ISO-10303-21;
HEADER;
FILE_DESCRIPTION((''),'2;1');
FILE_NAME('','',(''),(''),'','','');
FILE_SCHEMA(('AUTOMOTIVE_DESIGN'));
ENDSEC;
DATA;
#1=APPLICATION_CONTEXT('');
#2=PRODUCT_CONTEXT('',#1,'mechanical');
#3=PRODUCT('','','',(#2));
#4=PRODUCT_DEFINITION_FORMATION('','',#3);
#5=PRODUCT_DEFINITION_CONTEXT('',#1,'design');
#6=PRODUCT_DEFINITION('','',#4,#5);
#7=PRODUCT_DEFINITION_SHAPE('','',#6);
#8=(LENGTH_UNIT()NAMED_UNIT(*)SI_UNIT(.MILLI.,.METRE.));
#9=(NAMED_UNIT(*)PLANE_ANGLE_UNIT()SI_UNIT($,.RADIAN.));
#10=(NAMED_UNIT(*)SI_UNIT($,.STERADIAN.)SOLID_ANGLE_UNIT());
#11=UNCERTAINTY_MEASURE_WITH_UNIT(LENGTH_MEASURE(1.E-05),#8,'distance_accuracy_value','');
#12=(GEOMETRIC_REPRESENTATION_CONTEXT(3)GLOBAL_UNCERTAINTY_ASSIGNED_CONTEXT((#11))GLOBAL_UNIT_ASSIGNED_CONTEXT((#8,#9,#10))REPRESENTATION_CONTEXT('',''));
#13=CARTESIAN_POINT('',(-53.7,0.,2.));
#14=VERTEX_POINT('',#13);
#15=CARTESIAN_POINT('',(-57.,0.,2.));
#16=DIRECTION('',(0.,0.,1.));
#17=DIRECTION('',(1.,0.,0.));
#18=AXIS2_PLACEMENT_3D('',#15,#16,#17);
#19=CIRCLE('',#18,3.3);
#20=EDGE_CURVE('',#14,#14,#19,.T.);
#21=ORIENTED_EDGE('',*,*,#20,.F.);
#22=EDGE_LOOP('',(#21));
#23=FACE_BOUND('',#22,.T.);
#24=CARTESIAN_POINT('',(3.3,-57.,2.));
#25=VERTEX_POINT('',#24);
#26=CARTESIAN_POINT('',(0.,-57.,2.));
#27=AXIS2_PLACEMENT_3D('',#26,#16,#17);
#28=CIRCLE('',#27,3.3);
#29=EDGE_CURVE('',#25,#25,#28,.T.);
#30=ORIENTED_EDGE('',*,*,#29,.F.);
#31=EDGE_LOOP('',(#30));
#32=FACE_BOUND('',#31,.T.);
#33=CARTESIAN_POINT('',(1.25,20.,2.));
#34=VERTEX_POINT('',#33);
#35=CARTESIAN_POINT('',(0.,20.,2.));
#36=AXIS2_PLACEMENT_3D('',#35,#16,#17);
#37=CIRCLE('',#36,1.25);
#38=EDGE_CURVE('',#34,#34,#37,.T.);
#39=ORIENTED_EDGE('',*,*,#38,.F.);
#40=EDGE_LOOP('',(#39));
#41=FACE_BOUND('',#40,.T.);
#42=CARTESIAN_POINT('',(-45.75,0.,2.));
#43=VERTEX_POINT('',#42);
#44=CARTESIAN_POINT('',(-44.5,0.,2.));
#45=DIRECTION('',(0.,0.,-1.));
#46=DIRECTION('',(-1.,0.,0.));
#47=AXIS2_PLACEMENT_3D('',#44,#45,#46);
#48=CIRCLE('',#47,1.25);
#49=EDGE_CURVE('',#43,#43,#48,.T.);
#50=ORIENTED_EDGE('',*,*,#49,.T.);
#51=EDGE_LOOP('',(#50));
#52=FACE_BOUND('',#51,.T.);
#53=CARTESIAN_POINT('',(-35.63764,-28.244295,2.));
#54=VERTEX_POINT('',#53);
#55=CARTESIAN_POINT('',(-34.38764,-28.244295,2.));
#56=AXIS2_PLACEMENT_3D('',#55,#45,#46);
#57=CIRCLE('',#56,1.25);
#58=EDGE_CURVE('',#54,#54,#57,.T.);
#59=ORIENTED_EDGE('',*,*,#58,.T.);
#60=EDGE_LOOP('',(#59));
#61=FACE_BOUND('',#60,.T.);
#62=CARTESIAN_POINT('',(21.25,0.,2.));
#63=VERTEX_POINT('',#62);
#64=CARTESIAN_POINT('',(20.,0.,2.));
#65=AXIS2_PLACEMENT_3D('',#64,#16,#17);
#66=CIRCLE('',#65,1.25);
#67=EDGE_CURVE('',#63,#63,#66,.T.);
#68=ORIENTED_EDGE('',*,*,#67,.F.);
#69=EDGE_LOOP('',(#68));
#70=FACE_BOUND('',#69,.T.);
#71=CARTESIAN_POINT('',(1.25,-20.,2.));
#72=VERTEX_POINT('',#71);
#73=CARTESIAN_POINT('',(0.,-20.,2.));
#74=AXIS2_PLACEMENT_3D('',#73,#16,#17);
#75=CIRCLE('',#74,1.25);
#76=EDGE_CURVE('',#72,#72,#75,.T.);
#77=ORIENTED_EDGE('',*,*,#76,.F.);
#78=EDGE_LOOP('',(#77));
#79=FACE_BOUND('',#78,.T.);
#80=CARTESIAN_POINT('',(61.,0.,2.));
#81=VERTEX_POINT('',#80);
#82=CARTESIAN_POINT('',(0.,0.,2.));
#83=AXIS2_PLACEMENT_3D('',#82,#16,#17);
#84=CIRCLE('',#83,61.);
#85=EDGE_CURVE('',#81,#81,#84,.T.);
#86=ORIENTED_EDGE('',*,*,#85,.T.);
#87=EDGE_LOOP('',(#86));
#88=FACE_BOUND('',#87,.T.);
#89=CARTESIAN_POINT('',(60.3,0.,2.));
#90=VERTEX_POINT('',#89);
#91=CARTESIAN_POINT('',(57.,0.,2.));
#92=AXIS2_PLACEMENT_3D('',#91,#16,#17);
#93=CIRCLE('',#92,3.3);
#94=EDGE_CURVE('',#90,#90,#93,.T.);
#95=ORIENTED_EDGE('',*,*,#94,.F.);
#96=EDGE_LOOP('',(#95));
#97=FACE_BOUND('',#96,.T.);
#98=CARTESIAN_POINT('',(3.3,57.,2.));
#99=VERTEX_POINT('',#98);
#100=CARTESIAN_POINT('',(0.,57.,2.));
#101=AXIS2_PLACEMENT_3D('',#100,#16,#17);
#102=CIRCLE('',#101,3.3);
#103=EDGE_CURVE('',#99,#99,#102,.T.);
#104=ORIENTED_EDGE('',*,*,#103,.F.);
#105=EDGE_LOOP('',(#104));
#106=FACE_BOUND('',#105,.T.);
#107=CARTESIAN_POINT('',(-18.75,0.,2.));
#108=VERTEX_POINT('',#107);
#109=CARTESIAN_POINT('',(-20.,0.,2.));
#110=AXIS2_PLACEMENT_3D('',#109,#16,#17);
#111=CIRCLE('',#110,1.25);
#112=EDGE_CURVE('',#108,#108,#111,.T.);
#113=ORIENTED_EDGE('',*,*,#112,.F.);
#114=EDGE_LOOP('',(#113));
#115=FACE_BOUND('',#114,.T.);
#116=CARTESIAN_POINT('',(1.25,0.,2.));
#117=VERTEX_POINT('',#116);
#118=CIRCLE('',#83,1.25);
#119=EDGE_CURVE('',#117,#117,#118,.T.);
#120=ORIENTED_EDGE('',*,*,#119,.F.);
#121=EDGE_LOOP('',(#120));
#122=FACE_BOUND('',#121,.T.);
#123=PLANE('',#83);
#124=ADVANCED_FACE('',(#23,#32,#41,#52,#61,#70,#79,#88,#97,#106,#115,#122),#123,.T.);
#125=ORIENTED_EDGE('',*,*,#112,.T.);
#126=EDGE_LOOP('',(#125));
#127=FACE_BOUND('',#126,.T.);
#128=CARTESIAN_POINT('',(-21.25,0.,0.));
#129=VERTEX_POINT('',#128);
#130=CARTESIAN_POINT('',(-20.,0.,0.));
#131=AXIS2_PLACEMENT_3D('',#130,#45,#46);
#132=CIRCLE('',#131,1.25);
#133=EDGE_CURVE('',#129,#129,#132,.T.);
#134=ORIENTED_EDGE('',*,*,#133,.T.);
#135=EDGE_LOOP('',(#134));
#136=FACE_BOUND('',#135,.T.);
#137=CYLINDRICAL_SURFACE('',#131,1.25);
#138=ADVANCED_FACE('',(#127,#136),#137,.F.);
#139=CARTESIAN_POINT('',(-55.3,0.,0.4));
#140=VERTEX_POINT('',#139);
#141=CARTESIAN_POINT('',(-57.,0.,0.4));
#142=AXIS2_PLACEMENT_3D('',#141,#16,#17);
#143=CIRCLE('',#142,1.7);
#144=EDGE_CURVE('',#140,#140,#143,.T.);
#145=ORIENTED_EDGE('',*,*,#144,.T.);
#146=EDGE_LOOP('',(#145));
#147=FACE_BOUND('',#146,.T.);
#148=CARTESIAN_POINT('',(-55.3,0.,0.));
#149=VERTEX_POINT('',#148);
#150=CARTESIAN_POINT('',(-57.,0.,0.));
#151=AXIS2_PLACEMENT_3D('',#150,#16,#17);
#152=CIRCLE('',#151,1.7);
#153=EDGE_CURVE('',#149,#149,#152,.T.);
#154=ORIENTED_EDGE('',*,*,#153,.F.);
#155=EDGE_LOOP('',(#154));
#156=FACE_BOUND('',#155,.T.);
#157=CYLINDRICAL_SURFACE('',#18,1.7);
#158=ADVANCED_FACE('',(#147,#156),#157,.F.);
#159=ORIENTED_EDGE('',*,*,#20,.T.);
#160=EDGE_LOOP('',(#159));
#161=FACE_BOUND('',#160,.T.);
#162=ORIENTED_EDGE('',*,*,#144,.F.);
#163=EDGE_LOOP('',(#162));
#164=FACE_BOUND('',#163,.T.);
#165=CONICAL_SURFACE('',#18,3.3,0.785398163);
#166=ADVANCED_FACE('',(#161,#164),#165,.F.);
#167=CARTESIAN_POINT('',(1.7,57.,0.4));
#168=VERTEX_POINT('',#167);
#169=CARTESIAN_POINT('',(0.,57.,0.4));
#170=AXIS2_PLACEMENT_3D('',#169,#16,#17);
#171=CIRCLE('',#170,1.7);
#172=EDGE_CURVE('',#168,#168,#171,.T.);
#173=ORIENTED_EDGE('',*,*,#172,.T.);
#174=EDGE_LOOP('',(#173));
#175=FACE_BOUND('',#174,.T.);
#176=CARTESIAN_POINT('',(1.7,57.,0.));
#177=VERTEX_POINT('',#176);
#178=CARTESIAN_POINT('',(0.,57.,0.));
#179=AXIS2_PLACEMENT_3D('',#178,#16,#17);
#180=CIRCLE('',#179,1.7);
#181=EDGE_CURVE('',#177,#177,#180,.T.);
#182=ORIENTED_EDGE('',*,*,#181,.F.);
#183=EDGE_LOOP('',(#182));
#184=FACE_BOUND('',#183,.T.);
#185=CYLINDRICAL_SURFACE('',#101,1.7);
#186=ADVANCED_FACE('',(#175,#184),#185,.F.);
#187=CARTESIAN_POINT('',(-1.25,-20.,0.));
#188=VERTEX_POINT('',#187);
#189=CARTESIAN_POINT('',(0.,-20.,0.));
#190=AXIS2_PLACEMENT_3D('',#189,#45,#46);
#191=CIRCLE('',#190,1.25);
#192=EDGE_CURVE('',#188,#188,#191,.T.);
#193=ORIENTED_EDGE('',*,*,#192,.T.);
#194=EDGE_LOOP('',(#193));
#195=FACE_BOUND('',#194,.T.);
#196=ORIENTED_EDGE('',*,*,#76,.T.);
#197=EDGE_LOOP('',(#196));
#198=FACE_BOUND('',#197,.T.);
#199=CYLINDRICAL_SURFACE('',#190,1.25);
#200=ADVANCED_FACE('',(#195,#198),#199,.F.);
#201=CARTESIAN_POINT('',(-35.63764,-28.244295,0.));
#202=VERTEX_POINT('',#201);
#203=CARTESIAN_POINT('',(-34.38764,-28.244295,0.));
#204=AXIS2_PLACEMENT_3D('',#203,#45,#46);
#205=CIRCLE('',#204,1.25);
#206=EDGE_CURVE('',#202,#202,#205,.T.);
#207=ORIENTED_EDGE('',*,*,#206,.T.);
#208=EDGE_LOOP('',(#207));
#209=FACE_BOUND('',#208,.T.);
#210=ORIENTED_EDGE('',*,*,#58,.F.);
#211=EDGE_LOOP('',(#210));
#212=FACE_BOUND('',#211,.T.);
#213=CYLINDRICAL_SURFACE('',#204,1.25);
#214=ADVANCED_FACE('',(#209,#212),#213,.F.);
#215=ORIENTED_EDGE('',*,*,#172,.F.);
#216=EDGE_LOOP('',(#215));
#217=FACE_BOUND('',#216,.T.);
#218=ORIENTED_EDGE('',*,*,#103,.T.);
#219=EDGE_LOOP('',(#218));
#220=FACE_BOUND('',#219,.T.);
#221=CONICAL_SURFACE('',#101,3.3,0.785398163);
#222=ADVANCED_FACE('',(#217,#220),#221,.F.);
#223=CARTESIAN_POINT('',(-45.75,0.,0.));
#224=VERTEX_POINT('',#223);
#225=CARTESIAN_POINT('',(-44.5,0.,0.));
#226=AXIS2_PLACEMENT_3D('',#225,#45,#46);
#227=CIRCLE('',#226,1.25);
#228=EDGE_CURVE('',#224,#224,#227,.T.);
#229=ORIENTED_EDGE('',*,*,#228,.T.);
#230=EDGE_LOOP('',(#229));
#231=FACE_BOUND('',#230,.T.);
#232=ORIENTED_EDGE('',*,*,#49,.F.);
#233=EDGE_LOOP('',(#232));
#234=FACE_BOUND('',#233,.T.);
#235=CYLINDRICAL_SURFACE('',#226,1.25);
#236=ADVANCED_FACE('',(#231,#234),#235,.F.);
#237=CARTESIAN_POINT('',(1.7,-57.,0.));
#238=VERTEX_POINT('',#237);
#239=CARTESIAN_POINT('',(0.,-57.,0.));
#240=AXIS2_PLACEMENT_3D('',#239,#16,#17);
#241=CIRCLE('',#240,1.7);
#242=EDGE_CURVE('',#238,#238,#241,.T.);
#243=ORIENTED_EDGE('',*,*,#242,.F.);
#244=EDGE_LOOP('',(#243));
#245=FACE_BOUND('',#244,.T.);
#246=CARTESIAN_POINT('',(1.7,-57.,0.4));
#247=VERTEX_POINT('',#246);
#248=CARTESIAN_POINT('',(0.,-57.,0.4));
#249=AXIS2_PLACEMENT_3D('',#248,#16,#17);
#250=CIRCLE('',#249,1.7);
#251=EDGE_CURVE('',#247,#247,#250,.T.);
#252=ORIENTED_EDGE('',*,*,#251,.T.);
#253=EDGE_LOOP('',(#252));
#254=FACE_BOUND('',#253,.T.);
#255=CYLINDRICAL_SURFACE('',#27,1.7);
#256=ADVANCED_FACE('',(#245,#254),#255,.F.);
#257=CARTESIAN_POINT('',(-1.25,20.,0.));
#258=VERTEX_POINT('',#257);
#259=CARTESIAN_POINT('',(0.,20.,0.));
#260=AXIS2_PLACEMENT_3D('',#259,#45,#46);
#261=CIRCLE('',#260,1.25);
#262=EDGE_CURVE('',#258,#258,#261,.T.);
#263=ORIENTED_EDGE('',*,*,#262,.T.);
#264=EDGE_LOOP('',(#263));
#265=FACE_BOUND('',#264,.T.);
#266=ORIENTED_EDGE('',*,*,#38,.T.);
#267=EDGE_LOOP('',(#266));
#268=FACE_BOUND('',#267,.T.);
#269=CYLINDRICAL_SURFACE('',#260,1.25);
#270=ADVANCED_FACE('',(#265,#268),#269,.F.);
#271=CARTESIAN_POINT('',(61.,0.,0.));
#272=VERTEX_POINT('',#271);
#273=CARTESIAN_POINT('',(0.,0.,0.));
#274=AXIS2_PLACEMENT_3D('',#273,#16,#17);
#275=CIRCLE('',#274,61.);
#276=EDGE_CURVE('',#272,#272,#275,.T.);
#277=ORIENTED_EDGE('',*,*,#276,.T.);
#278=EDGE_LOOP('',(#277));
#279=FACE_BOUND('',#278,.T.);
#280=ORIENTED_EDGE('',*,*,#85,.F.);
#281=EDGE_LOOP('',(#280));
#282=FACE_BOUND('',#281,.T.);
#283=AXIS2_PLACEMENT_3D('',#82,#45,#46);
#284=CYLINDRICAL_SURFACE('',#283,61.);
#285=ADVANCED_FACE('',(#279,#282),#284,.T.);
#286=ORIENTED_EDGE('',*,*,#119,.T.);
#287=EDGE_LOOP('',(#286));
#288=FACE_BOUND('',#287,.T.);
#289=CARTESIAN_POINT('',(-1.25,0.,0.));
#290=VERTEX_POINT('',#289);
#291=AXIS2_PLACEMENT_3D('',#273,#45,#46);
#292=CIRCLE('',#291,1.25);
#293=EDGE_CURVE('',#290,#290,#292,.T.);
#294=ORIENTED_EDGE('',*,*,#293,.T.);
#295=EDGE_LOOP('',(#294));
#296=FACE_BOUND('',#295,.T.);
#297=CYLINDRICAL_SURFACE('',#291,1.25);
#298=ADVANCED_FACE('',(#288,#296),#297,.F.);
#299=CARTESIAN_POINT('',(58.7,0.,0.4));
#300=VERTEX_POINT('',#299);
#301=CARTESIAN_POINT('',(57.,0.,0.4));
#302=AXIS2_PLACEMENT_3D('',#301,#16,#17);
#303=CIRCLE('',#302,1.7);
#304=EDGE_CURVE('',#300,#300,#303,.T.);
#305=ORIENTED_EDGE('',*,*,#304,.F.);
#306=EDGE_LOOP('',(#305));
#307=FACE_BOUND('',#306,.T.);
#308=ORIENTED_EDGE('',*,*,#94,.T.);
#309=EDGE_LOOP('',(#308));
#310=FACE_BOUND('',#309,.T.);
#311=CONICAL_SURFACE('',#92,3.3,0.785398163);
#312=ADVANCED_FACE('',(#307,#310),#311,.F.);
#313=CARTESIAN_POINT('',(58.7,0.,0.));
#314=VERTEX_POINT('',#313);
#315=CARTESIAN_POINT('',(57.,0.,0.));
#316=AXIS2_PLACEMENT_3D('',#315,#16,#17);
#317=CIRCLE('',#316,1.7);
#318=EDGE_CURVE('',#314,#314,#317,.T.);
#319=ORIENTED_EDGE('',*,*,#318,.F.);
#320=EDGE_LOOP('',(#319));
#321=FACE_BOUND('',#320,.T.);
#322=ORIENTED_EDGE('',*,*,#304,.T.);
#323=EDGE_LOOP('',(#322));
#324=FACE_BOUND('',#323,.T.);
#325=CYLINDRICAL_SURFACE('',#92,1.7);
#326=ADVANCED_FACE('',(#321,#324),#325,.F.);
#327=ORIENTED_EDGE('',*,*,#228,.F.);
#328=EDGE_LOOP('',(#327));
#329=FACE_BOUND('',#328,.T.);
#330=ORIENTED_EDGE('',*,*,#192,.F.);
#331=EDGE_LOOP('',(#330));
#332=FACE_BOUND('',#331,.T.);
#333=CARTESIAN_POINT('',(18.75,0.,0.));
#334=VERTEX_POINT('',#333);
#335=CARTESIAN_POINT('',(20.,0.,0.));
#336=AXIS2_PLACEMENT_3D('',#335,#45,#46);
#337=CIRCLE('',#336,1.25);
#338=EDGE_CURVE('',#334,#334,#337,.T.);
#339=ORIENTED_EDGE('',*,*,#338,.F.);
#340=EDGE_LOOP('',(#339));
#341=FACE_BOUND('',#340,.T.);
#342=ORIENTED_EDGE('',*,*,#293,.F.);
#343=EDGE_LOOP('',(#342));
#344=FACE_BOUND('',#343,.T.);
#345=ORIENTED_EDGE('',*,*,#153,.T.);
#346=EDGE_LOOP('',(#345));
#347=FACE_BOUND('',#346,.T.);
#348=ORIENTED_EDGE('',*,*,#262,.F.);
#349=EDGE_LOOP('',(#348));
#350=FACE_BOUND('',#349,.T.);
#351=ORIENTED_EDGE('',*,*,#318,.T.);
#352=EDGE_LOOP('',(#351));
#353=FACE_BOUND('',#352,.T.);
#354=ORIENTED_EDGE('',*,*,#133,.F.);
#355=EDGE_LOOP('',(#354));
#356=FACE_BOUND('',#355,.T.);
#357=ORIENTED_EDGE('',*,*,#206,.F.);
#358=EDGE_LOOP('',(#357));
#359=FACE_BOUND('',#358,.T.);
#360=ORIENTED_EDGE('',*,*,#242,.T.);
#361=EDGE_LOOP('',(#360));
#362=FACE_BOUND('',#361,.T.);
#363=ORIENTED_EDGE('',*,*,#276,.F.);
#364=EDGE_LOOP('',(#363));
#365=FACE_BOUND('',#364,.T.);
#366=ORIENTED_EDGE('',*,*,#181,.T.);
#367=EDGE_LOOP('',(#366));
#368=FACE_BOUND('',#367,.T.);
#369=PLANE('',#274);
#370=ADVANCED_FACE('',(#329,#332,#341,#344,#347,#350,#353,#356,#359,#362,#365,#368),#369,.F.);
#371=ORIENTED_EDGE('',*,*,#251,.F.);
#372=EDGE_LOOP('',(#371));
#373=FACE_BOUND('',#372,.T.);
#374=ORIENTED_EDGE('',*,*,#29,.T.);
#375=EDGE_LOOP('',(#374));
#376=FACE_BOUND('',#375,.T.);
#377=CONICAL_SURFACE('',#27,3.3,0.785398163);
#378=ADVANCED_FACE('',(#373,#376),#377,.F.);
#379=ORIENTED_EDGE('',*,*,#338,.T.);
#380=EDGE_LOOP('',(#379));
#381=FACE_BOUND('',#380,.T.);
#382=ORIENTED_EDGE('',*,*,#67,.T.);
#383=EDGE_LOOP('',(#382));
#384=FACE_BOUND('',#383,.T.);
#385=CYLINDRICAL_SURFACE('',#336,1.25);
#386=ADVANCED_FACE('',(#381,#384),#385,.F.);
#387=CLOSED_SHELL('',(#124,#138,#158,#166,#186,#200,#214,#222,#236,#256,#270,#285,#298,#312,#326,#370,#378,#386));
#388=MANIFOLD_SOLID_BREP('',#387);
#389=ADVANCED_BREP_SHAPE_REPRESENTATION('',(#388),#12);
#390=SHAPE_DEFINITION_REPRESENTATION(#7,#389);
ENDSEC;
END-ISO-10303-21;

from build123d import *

# Parameters (mm, degrees)
SKETCH_1_R               = 61
EXTRUDE_1_DEPTH          = 2
PATTERN_CIRCULAR_1_COUNT = 4
HOLE_WIZARD_M3_1_D       = 2.5
PATTERN_CIRCULAR_2_COUNT = 4
HOLE_WIZARD_M3_2_D       = 2.5
HOLE_WIZARD_M3_3_D       = 2.5


with BuildPart() as part:
    # 草图1 → 凸台-拉伸1 (new body)
    with BuildSketch(Plane.XY):
        Circle(SKETCH_1_R)
    extrude(amount=EXTRUDE_1_DEPTH)

    # 草图3 → 打孔尺寸(%根据十字)槽半沉头木螺钉的类型1 (revolve, cut)
    with BuildSketch(Plane(origin=(0, 57, 2), x_dir=(0, -1, 0), z_dir=(1, 0, 0))):
        Polygon((0, 0), (0, 2), (1.7, 2), (1.7, 1.6), (3.3, 0), align=None)
    hole_wizard_1 = revolve(axis=Axis((0, 57, 8.35), (0, 0, -1)), mode=Mode.SUBTRACT)

    # 阵列(圆周)1: 打孔尺寸(%根据十字)槽半沉头木螺钉的类型1 ×4 about axis
    pattern_circular_1_axis = Axis((0, 0, 0), (0, 0, 1))
    for i in range(1, PATTERN_CIRCULAR_1_COUNT):
        add(hole_wizard_1.rotate(pattern_circular_1_axis, i * 360 / PATTERN_CIRCULAR_1_COUNT), mode=Mode.SUBTRACT)

    # M3 螺纹孔1 (through all)
    with Locations(Plane(origin=(0, 0, 0), x_dir=(-1, 0, 0), z_dir=(0, 0, -1))):
        with Locations((-20, 0)):
            hole_wizard_m3_1 = Hole(HOLE_WIZARD_M3_1_D / 2)

    # 阵列(圆周)2: M3 螺纹孔1 ×4 about axis
    pattern_circular_2_axis = Axis((0, 0, 0), (0, 0, 1))
    for i in range(1, PATTERN_CIRCULAR_2_COUNT):
        add(hole_wizard_m3_1.rotate(pattern_circular_2_axis, i * 360 / PATTERN_CIRCULAR_2_COUNT), mode=Mode.SUBTRACT)

    # M3 螺纹孔2 (through all)
    with Locations(Plane(origin=(0, 0, 0), x_dir=(-1, 0, 0), z_dir=(0, 0, -1))):
        with Locations((0, 0)):
            Hole(HOLE_WIZARD_M3_2_D / 2)

    # M3 螺纹孔3 (through all)
    with Locations(Plane(origin=(0, 0, 0), x_dir=(-1, 0, 0), z_dir=(0, 0, -1))):
        with Locations((34.387640449, -28.244294722), (44.5, 0)):
            Hole(HOLE_WIZARD_M3_3_D / 2)


solid = part.part
